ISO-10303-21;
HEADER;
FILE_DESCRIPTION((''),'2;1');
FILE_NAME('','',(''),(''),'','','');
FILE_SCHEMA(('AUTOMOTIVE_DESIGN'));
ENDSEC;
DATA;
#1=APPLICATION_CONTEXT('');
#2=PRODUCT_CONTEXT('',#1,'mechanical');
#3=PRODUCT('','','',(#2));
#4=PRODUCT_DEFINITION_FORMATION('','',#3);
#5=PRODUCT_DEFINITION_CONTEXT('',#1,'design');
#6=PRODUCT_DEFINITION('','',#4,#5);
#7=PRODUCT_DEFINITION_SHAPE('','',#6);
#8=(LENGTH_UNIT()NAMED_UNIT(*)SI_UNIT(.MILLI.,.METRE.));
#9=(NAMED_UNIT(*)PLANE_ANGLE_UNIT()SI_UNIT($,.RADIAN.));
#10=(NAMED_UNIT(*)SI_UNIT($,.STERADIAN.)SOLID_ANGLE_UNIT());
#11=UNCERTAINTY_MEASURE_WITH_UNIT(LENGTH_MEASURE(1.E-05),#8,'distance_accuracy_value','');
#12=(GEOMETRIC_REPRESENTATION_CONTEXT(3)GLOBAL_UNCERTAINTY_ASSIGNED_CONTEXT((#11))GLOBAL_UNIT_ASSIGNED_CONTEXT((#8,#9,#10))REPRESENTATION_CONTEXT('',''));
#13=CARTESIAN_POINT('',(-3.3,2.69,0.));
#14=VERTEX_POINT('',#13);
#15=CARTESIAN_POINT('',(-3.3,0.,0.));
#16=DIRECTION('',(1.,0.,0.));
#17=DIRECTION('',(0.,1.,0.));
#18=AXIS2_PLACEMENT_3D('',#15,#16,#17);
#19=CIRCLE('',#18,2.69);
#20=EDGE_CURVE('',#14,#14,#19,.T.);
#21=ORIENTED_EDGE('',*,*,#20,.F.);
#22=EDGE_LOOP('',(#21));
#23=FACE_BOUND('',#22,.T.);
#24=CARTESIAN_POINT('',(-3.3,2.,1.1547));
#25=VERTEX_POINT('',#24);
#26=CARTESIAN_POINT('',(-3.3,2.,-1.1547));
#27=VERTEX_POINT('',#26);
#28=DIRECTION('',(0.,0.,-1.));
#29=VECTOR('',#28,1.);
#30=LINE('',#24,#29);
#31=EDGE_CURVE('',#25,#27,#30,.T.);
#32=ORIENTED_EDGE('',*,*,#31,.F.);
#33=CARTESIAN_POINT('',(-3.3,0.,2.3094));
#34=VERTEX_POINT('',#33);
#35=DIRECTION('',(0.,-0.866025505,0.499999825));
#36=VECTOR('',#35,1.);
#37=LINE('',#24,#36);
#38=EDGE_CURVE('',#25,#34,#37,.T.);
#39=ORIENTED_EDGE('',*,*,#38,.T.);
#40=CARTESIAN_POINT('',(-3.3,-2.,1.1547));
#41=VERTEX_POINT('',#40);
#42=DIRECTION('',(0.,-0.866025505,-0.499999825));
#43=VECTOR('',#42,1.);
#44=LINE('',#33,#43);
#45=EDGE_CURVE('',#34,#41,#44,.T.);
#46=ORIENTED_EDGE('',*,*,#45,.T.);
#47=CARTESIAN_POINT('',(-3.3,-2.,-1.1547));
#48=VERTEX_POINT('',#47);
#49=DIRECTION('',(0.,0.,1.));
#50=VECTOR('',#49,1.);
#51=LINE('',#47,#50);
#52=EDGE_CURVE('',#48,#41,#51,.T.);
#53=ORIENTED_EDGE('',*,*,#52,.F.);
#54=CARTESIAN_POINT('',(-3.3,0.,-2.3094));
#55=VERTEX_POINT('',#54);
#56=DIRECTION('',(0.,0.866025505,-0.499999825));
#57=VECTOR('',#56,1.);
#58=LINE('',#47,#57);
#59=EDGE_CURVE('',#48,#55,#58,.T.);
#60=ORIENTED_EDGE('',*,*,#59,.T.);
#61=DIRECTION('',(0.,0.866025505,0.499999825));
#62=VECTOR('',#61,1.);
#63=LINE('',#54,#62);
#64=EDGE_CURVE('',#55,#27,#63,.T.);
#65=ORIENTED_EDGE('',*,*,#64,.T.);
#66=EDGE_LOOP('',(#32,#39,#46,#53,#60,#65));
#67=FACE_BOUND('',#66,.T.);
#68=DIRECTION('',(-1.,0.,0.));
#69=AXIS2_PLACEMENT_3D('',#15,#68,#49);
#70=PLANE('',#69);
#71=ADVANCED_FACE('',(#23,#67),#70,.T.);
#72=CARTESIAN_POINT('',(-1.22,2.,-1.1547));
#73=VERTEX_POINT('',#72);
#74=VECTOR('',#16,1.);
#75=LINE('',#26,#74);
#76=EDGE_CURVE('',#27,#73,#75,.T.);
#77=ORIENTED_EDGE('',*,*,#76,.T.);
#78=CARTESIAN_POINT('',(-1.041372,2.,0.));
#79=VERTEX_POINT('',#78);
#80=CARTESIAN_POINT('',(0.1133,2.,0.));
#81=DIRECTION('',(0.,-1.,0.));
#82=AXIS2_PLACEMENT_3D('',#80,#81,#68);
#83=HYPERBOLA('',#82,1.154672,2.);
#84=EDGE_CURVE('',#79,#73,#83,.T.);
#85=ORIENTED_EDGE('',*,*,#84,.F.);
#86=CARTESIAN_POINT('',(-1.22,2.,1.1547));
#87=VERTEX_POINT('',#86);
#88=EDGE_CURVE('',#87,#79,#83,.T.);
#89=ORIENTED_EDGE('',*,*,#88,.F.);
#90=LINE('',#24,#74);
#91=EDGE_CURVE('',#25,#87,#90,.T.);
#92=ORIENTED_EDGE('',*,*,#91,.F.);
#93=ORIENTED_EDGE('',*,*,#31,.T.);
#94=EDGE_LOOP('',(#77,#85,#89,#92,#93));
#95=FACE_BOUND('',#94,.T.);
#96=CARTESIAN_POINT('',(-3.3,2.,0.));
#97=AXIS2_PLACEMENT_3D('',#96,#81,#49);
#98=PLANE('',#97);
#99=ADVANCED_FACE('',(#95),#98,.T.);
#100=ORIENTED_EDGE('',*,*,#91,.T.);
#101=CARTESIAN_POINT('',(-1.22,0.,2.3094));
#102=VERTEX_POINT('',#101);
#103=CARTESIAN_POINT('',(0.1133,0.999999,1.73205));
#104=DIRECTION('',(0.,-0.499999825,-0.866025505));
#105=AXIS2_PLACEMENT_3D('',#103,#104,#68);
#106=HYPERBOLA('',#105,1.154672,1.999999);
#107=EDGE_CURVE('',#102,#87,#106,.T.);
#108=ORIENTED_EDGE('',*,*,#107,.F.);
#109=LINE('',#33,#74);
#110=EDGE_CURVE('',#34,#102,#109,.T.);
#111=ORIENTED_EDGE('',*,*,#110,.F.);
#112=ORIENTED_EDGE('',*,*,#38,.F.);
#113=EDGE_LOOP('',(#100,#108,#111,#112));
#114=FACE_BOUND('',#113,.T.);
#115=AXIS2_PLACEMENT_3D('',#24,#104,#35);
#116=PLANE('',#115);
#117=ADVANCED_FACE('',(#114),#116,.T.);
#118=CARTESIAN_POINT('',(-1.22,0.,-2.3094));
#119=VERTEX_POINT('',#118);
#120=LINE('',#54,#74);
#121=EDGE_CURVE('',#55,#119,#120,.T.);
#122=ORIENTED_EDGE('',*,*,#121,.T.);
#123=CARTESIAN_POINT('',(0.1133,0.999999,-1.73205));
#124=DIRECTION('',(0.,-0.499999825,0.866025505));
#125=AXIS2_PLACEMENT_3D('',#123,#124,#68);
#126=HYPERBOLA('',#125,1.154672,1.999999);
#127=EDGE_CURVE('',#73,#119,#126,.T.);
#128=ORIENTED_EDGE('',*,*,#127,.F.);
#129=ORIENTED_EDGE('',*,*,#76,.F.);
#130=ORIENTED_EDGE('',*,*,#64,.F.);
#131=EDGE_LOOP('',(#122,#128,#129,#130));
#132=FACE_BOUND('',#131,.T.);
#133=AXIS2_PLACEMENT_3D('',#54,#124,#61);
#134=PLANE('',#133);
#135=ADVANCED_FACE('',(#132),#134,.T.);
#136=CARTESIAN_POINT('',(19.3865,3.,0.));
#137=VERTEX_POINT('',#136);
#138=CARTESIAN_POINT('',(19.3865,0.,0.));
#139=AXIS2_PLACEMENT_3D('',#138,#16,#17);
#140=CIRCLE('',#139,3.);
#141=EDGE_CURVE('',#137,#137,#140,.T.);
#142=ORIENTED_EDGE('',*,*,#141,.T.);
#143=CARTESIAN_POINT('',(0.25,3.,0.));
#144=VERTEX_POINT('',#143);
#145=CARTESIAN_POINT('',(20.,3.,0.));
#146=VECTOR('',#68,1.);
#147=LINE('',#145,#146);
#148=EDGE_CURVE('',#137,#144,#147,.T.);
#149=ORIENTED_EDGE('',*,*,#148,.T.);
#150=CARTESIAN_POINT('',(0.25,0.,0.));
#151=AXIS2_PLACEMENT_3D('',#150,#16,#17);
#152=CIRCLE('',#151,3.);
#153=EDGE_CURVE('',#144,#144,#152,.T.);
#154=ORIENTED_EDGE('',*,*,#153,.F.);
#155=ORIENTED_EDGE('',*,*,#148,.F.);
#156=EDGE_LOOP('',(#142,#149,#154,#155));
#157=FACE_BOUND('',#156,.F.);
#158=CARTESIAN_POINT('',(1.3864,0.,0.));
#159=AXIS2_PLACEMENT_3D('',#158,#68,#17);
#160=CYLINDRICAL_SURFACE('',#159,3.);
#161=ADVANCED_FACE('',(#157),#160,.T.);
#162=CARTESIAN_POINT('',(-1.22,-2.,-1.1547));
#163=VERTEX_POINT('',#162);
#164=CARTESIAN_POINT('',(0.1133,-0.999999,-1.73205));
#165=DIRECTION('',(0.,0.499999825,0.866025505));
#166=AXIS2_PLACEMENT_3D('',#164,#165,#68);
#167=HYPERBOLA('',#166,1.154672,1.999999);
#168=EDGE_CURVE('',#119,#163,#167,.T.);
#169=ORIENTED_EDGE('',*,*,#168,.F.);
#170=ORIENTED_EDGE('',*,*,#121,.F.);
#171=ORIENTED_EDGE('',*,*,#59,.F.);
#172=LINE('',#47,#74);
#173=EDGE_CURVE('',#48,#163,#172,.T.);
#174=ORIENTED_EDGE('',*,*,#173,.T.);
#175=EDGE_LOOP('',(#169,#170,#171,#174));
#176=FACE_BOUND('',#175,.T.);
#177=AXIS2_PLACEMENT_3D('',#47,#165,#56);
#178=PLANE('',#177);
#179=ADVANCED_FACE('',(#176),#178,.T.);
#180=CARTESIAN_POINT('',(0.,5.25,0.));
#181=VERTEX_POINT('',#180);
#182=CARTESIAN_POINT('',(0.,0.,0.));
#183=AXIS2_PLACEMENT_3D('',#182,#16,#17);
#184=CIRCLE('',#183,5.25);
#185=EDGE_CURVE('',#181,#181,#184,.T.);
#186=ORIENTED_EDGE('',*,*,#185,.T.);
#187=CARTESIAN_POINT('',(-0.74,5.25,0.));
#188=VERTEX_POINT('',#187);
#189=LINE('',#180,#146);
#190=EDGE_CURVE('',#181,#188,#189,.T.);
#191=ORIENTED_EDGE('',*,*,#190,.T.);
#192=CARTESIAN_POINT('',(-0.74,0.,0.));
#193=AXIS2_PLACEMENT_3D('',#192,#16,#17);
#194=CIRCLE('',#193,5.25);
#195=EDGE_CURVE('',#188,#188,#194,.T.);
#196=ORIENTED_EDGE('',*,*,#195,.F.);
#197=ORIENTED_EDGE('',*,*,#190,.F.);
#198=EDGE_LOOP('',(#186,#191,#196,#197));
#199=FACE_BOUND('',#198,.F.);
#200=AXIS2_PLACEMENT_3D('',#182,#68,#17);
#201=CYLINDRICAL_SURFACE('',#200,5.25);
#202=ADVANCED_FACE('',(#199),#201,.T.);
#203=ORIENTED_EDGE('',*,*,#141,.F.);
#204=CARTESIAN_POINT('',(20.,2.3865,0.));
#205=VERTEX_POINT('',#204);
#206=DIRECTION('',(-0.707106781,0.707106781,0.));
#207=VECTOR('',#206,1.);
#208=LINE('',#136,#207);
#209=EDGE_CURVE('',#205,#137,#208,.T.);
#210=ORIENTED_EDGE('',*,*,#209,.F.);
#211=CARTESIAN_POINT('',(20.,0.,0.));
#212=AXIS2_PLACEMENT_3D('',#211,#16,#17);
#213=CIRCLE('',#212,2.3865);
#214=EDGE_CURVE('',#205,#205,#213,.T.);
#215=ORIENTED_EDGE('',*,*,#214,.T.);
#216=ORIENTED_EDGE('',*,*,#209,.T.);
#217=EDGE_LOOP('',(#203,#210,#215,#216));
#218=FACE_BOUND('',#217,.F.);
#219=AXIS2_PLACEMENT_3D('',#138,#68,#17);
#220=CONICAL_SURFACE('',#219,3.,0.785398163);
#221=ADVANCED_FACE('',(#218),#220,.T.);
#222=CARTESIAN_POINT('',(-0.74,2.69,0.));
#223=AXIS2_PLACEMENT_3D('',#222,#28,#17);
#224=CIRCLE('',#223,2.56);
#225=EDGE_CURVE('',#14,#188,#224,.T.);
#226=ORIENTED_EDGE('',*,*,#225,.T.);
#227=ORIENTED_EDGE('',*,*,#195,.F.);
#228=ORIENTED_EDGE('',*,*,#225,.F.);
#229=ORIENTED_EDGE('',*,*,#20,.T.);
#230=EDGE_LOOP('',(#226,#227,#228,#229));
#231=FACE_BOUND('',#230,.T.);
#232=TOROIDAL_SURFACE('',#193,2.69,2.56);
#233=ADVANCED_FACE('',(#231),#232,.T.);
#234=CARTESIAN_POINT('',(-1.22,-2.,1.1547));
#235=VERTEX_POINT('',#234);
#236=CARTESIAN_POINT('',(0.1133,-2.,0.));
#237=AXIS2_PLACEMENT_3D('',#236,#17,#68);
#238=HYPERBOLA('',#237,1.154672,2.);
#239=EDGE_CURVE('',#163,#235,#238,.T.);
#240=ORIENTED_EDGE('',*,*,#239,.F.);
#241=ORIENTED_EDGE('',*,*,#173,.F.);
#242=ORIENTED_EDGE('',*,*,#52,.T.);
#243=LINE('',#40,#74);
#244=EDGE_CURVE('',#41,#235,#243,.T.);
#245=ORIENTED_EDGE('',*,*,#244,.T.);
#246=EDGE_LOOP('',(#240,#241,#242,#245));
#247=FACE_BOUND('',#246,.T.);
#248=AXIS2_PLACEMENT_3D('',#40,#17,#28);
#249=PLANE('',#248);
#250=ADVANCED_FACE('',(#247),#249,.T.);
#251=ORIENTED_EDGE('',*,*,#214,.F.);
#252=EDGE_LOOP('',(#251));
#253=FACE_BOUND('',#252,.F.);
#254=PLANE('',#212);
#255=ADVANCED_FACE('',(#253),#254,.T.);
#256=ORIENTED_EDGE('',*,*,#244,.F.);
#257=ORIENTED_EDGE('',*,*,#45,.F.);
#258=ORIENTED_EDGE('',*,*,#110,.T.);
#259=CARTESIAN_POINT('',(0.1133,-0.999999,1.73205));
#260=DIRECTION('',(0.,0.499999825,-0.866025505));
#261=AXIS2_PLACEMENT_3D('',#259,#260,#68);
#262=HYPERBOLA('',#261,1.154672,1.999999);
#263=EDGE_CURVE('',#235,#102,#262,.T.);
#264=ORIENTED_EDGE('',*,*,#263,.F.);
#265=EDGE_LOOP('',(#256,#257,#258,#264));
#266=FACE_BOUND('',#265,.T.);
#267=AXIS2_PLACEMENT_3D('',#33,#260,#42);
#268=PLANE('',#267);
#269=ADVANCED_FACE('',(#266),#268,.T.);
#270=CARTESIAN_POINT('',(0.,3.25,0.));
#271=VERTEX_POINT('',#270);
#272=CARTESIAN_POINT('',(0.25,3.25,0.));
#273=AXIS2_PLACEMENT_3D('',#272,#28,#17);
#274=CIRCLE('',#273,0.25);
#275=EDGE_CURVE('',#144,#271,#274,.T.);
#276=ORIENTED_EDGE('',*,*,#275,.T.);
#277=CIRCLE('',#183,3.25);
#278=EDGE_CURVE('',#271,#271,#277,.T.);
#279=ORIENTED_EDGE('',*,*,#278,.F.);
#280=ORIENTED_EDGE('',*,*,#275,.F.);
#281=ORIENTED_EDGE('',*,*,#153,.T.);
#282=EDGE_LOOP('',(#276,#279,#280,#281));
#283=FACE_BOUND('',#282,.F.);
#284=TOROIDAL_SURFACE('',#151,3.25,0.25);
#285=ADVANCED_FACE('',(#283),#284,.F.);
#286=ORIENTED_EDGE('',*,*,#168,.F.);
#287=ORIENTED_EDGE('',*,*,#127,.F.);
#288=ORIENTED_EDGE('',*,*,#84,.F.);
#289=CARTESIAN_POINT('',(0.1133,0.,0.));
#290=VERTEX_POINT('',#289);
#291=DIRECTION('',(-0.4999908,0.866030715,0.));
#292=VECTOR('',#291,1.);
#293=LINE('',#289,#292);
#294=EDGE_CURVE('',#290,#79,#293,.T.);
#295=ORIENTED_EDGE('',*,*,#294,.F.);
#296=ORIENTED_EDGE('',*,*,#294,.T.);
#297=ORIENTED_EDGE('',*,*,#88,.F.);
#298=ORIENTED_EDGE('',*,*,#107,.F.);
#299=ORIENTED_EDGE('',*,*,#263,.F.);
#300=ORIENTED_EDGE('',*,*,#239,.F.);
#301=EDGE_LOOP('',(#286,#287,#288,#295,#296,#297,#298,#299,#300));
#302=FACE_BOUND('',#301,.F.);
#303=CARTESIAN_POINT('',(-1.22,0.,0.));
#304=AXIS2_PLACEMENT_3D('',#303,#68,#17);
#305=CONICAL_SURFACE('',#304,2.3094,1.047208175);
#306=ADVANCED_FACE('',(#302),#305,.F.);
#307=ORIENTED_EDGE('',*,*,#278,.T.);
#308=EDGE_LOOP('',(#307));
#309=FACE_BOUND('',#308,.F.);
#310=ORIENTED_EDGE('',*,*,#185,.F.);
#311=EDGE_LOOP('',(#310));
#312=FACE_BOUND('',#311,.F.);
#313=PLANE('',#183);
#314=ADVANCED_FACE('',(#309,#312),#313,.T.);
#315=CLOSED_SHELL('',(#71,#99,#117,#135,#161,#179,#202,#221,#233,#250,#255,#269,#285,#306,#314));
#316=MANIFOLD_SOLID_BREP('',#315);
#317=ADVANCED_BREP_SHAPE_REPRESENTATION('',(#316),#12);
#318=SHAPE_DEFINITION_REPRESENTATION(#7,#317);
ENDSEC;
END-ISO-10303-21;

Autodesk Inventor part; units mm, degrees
ref_plane "YZ Plane" through (0, 0, 0) normal (1, 0, 0) x (0, 1, 0)
ref_plane "XZ Plane" through (0, 0, 0) normal (0, 1, 0) x (-1, 0, 0)
sketch "Szkic1" plane through (0, 0, 0) normal (0, 0, 1) x (1, 0, 0)
  line L0 (0.1133, 0) -> (20, 0)
  line L1 (20, 0) -> (20, 3)
  line L2 (20, 3) -> (2, 3)
  line L3 (2, 3) -> (1.3864, 3)
  line L4 (1.3864, 3) -> (0, 3)
  line L5 (0, 3) -> (0, 5.25)
  line L6 (0, 5.25) -> (-3.3, 5.25)
  line L7 (-3.3, 5.25) -> (-3.3, 2.3094)
  line L8 (-3.3, 2.3094) -> (-1.22, 2.3094)
  line L9 (-1.22, 2.3094) -> (0.1133, 0)
  line L10 (-7.96, 0) -> (24.66, 0) projected
  line L11 (0, -1.05) -> (0, 6.3) projected
  line L12 (2, 3) -> (0, 3) construction
  dimension "d1" = 18
  dimension "d2" = 0.6136
  dimension "d3" = 3.3
  dimension "d4" = 2.08
  dimension "d5" = 60
  dimension "d6" = 6
  dimension "d7" = 6
  dimension "d8" = 4.6188
  dimension "d9" = 10.5
  dimension "d26" = 20
revolve "Bryła" add sketch "Szkic1" angle 360 about axis through (0.1133, 0, 0) along (1, 0, 0) contours L9 L11 L4 L3 L2 L1 L0 | L9 L8 L7 L6 L5 L11
sketch "Szkic2" plane through (-3.3, 0, 0) normal (-1, 0, 0) x (0, 0, 1)
  circle A0 centre (0, 0) radius 2.3094 projected
  line L0 (0, -7.35) -> (0, 7.35) projected
  line L1 (-7.35, 0) -> (7.35, 0) projected
  line L2 (2.3094, 0) -> (1.1547, -2)
  line L3 (1.1547, -2) -> (-1.1547, -2)
  line L4 (-1.1547, -2) -> (-2.3094, 0)
  line L5 (-2.3094, 0) -> (-1.1547, 2)
  line L6 (-1.1547, 2) -> (1.1547, 2)
  line L7 (1.1547, 2) -> (2.3094, 0)
extrude "Szczelina" add sketch "Szkic2" against normal up to next contours L7 A0 | A0 L2 | L6 L0 A0 | A0 L0 L3 | L0 L6 A0 | A0 L3 L0 | L4 A0 | A0 L5
fillet "Zaokrąglenie1" radius 2.56 1 edges at (-3.3, -5.25, 0)
thread "Gwint" size "M6x1" class "6g" standard "ISO Metric profile" length 18
chamfer "Faza1" distance 0.6135 distance2 0.6135 1 edges at (20, -3, 0) measured on face at (20, 1.0659, 1.0214)
ref_plane "Work Plane1" through (29, 0, 0) normal (0, -1, 0) x (1, 0, 0)
fillet "Zaokrąglenie2" radius 0.25 1 edges at (0, -3, 0)
equation "\"d1\" = GEL"
equation "\"d3\" = KOH"
equation "\"d4\" = INTI"
equation "\"d6\" = GD"
equation "\"d7\" = BDM"
equation "\"d8\" = 1.1547 * SW"
equation "\"d9\" = KOD"
equation "\"d26\" = NLG"
equation "\"d17\" = RR"
equation "\"d13\" = GEL"
equation "\"d15\" = -0.5 * SPD + 0.5 * GD"
equation "\"d16\" = GUL"
equation "\"d30\" = R"
equation "\"GD\" = NND"
equation "\"NLG\" = 20"
equation "\"GEL\" = 18"
equation "\"KOD\" = 10.5"
equation "\"KOH\" = 3.3"
equation "\"INTI\" = 2.08"
equation "\"GAL\" = 0.61345 * PTC"
equation "\"GUL\" = 0.61345 * PTC"
equation "\"BDM\" = NND"
equation "\"SW\" = 4"
equation "\"RR\" = 2.56"
equation "\"SPD\" = NND - 1.2269 * PTC"
equation "\"R\" = 0.25"
equation "\"TOA\" = 30deg"
equation "\"GD1\" = THREADDIA - 1.2269 * PTC"
equation "\"THREADDIA\" = 6"
equation "\"PTC\" = 1"
equation "\"NND\" = 6"
equation "\"KOH1\" = 0.74"
equation "\"E0\" = 4.62"
properties part number "ISO 7380 - M6 x 20" material "Stal"
